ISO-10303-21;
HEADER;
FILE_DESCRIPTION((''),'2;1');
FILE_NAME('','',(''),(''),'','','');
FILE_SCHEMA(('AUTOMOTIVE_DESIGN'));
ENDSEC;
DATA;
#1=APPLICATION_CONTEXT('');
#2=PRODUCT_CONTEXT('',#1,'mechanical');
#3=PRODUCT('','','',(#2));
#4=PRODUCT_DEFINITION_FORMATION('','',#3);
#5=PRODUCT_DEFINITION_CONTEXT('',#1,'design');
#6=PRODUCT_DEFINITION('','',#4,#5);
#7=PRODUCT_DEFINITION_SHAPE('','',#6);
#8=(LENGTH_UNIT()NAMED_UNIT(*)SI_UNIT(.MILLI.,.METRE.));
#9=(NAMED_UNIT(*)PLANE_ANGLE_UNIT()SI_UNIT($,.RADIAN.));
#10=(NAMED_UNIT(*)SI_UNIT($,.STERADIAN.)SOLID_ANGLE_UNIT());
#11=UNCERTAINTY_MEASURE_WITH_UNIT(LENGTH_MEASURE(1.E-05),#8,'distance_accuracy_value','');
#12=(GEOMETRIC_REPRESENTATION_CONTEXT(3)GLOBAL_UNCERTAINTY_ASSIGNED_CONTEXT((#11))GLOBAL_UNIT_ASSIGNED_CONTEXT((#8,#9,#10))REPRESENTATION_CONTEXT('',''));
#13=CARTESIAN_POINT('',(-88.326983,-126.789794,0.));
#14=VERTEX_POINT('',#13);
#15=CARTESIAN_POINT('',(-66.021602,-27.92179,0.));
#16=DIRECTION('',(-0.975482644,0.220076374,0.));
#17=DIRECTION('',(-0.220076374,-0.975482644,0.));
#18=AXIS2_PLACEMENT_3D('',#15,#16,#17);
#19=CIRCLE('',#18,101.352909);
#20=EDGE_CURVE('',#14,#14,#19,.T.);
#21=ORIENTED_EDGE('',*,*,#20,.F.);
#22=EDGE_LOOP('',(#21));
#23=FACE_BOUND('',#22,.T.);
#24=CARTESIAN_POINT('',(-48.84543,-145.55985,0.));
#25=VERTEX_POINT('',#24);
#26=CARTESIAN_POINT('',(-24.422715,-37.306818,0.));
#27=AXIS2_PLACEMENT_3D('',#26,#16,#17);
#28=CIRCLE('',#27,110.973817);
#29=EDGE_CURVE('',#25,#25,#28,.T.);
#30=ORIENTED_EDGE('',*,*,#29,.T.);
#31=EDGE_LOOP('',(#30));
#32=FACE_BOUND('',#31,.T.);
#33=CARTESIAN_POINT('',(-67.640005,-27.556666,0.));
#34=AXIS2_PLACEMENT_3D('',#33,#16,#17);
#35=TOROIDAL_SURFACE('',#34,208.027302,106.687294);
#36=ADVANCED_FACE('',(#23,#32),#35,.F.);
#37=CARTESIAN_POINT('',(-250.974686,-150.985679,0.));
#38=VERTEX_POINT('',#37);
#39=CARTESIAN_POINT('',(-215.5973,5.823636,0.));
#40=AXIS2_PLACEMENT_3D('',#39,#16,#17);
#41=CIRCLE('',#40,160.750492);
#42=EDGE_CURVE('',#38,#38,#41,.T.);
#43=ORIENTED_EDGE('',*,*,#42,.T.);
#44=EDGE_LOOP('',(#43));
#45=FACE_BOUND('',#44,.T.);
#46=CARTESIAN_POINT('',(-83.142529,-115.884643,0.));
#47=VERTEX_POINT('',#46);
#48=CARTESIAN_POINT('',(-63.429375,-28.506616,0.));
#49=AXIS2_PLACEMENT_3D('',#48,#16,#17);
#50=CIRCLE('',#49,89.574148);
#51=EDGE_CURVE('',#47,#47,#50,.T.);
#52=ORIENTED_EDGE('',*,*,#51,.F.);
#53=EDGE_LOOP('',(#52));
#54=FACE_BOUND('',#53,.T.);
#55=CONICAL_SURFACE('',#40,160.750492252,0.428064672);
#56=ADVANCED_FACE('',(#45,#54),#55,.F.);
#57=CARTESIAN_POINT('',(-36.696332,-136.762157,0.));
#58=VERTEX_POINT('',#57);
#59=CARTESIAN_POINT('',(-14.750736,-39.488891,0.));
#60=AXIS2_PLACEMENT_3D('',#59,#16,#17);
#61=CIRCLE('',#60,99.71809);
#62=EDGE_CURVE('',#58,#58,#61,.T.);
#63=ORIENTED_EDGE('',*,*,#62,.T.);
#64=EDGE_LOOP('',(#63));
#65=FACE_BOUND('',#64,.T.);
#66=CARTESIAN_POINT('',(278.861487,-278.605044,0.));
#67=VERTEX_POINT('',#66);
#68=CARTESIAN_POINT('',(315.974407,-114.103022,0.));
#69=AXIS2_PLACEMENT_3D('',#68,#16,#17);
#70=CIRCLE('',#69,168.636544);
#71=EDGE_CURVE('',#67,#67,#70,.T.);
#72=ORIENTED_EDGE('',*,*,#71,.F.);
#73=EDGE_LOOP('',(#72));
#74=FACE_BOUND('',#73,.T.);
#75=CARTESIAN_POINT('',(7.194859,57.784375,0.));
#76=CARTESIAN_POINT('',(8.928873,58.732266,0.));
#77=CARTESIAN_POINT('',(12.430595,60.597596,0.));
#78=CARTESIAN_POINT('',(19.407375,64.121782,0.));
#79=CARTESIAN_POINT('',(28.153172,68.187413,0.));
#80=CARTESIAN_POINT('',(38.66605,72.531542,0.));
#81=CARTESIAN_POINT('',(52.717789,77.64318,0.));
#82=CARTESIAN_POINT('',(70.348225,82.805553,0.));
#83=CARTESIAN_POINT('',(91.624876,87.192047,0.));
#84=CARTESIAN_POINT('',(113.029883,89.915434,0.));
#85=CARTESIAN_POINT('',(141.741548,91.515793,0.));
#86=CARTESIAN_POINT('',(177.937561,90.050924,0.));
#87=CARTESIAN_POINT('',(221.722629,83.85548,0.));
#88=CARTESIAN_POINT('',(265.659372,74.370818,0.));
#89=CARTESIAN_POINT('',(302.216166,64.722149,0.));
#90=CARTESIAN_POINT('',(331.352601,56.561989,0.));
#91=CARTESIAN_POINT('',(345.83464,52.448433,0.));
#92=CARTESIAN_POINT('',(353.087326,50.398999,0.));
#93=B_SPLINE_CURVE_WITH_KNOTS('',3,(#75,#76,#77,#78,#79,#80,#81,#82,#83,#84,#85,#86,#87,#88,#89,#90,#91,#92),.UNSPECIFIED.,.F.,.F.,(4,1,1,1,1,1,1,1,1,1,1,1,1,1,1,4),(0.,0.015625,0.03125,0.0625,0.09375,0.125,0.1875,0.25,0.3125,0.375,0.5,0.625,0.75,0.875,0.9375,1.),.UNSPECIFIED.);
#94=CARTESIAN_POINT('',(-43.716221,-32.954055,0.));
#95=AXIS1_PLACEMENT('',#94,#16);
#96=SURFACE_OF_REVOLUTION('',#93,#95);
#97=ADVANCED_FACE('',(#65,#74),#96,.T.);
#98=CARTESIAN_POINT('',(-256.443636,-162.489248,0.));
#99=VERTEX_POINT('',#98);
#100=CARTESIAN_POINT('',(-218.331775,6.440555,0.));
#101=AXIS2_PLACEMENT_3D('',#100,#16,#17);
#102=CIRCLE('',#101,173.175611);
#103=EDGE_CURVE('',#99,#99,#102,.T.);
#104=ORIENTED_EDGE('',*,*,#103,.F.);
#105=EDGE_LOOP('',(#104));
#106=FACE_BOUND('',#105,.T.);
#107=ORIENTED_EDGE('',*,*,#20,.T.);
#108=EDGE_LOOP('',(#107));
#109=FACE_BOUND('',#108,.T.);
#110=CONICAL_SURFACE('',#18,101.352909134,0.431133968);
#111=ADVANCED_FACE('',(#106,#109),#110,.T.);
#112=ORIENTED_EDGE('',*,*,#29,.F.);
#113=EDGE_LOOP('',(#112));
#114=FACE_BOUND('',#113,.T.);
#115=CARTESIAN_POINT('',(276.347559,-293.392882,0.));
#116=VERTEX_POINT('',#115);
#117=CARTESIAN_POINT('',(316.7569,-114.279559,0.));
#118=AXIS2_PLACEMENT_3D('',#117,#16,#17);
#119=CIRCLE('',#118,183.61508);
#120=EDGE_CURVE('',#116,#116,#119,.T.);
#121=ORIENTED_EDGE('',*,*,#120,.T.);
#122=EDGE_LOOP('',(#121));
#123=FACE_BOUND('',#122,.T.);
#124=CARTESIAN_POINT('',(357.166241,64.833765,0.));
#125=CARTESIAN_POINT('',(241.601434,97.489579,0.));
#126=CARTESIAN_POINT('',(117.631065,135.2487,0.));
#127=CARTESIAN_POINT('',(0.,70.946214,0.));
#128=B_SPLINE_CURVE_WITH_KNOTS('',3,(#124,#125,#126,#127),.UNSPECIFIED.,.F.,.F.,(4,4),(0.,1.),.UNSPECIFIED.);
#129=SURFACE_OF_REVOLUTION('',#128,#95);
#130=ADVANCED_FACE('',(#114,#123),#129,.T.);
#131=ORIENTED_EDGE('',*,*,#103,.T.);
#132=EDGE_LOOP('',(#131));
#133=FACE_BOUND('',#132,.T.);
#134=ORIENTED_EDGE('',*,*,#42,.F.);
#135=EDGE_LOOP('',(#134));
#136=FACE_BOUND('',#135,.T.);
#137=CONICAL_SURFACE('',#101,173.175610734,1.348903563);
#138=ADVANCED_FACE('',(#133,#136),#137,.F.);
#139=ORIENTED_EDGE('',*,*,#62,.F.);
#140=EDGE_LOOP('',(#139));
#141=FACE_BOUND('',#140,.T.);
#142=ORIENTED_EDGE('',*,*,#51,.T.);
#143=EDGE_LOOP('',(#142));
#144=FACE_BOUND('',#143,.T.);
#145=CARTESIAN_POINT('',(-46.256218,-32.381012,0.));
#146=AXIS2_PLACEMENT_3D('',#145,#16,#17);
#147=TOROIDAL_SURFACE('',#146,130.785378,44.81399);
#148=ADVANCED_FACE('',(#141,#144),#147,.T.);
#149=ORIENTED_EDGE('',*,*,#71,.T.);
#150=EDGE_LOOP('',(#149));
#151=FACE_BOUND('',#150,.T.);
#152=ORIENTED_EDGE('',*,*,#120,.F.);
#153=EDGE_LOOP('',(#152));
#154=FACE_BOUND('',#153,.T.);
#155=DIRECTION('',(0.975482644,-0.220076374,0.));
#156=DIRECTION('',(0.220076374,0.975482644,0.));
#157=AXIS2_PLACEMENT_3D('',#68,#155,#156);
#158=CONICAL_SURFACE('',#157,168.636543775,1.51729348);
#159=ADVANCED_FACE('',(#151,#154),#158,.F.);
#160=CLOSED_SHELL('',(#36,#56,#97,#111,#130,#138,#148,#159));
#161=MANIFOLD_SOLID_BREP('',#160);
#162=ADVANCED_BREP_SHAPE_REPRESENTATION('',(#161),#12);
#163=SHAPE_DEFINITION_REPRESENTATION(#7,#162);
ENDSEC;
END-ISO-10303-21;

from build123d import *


with BuildPart() as part:
    # Sketch2 → Revolve2 (revolve)
    with BuildSketch(Plane.XY, mode=Mode.PRIVATE) as revolve2_sk:
        with BuildLine():
            Line((-43.716221153, 70.946214002), (-180.219914565, 175.370357373))
            Line((-180.219914565, 175.370357373), (-180.219914565, 162.632951378))
            Line((-180.219914565, 162.632951378), (-43.716221153, 58.871410928))
            ThreePointArc((-43.716221153, 58.871410928), (-18.430081053, 50.394075819), (7.194859268, 57.78437522))
            add(Edge.make_bspline(
                [(7.194859268, 57.78437522), (8.928872852, 58.732265854), (12.430594707, 60.597595675), (19.407375105, 64.12178198), (28.153172213, 68.187413259), (38.666050393, 72.531541725), (52.717788584, 77.643180346), (70.34822503, 82.805552541), (91.624876371, 87.192047227), (113.029883128, 89.915434257), (141.74154758, 91.515793324), (177.937561467, 90.050923585), (221.72262923, 83.855479767), (265.65937236, 74.370818314), (302.216165626, 64.722148717), (331.352600516, 56.561988678), (345.834640133, 52.448432595), (353.087325703, 50.398999409)],
                knots=[0, 0, 0, 0, 0.015625, 0.03125, 0.0625, 0.09375, 0.125, 0.1875, 0.25, 0.3125, 0.375, 0.5, 0.625, 0.75, 0.875, 0.9375, 1, 1, 1, 1], degree=3))
            Line((353.087325703, 50.398999409), (357.166240613, 64.833764844))
            add(Edge.make_bspline(
                [(0, 70.946214002), (117.631064711, 135.248700165), (241.601433893, 97.489578707), (357.166240613, 64.833764844)],
                knots=[0, 0, 0, 0, 1, 1, 1, 1], degree=3))
            ThreePointArc((0, 70.946214002), (-21.858110577, 68.683063299), (-43.716221153, 70.946214002))
        make_face()
    revolve(revolve2_sk.sketch.rotate(Axis((-43.716221153, -32.954054974, 0), (0.9754826443933732, -0.22007637421429832, 0)), 180), axis=Axis((-43.716221153, -32.954054974, 0), (0.9754826443933732, -0.22007637421429832, 0)))


solid = part.part
